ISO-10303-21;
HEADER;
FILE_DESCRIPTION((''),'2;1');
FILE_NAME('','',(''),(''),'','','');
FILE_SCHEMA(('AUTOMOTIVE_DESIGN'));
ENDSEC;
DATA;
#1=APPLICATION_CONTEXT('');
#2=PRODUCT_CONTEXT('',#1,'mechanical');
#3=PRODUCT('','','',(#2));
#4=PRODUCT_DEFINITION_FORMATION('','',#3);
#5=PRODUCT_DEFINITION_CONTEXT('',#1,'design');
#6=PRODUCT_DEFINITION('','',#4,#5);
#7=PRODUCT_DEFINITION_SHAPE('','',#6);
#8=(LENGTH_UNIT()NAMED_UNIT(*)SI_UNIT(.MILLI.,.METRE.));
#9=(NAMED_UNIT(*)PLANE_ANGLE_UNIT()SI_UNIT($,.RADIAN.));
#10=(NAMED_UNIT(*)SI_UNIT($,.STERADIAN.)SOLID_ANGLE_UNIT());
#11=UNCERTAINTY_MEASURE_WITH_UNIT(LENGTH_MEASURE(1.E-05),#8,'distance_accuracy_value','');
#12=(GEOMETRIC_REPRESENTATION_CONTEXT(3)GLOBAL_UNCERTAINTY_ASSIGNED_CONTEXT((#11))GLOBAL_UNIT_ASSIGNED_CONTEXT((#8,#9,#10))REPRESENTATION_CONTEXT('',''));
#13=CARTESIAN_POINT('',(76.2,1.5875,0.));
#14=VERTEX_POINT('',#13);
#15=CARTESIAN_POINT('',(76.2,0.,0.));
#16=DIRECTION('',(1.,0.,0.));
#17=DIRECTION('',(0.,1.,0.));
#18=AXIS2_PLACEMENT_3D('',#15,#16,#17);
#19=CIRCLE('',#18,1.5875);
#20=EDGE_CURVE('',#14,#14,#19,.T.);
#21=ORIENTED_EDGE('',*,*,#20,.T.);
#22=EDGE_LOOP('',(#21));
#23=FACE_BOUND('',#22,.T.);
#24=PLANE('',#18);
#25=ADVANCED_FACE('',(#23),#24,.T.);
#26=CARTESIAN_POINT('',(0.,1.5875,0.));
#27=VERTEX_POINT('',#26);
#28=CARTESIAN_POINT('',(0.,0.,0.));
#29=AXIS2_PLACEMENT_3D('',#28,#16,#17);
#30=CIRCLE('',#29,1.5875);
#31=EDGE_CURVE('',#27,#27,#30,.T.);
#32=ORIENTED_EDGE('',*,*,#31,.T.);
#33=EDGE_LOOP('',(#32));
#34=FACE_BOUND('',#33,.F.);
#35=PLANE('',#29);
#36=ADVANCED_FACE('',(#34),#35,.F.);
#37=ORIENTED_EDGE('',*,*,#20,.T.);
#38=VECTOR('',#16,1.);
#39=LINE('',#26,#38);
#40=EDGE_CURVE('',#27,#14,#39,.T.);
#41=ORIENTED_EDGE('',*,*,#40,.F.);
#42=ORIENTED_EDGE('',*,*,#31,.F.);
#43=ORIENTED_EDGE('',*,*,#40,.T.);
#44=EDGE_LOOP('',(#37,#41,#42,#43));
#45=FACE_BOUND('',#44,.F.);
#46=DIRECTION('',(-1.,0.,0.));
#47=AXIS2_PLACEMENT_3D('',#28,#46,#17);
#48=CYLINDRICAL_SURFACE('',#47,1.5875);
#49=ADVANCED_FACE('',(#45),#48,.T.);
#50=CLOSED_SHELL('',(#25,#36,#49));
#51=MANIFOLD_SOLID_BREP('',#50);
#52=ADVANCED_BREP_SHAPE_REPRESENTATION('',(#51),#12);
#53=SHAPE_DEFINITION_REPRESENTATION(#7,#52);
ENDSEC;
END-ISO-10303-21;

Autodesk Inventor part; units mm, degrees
ref_plane "YZ Plane" through (0, 0, 0) normal (1, 0, 0) x (0, 1, 0)
ref_plane "XZ Plane" through (0, 0, 0) normal (0, 1, 0) x (-1, 0, 0)
ref_plane "XY Plane" through (0, 0, 0) normal (0, 0, 1) x (1, 0, 0)
sketch "Sketch1" plane through (0, 0, 0) normal (1, 0, 0) x (0, 1, 0)
  circle A0 centre (0, 0) radius 1.5875
  dimension "d0" = 3.175
extrude "Extrusion1" add sketch "Sketch1" along normal blind 76.2
thread "Thread1" size "5-40 UNC" class "2A" standard "ANSI Unified Screw Threads" full length
properties part number "spoolCarriageThreadedRodThread_5_40" material "Stainless Steel, Polished"
